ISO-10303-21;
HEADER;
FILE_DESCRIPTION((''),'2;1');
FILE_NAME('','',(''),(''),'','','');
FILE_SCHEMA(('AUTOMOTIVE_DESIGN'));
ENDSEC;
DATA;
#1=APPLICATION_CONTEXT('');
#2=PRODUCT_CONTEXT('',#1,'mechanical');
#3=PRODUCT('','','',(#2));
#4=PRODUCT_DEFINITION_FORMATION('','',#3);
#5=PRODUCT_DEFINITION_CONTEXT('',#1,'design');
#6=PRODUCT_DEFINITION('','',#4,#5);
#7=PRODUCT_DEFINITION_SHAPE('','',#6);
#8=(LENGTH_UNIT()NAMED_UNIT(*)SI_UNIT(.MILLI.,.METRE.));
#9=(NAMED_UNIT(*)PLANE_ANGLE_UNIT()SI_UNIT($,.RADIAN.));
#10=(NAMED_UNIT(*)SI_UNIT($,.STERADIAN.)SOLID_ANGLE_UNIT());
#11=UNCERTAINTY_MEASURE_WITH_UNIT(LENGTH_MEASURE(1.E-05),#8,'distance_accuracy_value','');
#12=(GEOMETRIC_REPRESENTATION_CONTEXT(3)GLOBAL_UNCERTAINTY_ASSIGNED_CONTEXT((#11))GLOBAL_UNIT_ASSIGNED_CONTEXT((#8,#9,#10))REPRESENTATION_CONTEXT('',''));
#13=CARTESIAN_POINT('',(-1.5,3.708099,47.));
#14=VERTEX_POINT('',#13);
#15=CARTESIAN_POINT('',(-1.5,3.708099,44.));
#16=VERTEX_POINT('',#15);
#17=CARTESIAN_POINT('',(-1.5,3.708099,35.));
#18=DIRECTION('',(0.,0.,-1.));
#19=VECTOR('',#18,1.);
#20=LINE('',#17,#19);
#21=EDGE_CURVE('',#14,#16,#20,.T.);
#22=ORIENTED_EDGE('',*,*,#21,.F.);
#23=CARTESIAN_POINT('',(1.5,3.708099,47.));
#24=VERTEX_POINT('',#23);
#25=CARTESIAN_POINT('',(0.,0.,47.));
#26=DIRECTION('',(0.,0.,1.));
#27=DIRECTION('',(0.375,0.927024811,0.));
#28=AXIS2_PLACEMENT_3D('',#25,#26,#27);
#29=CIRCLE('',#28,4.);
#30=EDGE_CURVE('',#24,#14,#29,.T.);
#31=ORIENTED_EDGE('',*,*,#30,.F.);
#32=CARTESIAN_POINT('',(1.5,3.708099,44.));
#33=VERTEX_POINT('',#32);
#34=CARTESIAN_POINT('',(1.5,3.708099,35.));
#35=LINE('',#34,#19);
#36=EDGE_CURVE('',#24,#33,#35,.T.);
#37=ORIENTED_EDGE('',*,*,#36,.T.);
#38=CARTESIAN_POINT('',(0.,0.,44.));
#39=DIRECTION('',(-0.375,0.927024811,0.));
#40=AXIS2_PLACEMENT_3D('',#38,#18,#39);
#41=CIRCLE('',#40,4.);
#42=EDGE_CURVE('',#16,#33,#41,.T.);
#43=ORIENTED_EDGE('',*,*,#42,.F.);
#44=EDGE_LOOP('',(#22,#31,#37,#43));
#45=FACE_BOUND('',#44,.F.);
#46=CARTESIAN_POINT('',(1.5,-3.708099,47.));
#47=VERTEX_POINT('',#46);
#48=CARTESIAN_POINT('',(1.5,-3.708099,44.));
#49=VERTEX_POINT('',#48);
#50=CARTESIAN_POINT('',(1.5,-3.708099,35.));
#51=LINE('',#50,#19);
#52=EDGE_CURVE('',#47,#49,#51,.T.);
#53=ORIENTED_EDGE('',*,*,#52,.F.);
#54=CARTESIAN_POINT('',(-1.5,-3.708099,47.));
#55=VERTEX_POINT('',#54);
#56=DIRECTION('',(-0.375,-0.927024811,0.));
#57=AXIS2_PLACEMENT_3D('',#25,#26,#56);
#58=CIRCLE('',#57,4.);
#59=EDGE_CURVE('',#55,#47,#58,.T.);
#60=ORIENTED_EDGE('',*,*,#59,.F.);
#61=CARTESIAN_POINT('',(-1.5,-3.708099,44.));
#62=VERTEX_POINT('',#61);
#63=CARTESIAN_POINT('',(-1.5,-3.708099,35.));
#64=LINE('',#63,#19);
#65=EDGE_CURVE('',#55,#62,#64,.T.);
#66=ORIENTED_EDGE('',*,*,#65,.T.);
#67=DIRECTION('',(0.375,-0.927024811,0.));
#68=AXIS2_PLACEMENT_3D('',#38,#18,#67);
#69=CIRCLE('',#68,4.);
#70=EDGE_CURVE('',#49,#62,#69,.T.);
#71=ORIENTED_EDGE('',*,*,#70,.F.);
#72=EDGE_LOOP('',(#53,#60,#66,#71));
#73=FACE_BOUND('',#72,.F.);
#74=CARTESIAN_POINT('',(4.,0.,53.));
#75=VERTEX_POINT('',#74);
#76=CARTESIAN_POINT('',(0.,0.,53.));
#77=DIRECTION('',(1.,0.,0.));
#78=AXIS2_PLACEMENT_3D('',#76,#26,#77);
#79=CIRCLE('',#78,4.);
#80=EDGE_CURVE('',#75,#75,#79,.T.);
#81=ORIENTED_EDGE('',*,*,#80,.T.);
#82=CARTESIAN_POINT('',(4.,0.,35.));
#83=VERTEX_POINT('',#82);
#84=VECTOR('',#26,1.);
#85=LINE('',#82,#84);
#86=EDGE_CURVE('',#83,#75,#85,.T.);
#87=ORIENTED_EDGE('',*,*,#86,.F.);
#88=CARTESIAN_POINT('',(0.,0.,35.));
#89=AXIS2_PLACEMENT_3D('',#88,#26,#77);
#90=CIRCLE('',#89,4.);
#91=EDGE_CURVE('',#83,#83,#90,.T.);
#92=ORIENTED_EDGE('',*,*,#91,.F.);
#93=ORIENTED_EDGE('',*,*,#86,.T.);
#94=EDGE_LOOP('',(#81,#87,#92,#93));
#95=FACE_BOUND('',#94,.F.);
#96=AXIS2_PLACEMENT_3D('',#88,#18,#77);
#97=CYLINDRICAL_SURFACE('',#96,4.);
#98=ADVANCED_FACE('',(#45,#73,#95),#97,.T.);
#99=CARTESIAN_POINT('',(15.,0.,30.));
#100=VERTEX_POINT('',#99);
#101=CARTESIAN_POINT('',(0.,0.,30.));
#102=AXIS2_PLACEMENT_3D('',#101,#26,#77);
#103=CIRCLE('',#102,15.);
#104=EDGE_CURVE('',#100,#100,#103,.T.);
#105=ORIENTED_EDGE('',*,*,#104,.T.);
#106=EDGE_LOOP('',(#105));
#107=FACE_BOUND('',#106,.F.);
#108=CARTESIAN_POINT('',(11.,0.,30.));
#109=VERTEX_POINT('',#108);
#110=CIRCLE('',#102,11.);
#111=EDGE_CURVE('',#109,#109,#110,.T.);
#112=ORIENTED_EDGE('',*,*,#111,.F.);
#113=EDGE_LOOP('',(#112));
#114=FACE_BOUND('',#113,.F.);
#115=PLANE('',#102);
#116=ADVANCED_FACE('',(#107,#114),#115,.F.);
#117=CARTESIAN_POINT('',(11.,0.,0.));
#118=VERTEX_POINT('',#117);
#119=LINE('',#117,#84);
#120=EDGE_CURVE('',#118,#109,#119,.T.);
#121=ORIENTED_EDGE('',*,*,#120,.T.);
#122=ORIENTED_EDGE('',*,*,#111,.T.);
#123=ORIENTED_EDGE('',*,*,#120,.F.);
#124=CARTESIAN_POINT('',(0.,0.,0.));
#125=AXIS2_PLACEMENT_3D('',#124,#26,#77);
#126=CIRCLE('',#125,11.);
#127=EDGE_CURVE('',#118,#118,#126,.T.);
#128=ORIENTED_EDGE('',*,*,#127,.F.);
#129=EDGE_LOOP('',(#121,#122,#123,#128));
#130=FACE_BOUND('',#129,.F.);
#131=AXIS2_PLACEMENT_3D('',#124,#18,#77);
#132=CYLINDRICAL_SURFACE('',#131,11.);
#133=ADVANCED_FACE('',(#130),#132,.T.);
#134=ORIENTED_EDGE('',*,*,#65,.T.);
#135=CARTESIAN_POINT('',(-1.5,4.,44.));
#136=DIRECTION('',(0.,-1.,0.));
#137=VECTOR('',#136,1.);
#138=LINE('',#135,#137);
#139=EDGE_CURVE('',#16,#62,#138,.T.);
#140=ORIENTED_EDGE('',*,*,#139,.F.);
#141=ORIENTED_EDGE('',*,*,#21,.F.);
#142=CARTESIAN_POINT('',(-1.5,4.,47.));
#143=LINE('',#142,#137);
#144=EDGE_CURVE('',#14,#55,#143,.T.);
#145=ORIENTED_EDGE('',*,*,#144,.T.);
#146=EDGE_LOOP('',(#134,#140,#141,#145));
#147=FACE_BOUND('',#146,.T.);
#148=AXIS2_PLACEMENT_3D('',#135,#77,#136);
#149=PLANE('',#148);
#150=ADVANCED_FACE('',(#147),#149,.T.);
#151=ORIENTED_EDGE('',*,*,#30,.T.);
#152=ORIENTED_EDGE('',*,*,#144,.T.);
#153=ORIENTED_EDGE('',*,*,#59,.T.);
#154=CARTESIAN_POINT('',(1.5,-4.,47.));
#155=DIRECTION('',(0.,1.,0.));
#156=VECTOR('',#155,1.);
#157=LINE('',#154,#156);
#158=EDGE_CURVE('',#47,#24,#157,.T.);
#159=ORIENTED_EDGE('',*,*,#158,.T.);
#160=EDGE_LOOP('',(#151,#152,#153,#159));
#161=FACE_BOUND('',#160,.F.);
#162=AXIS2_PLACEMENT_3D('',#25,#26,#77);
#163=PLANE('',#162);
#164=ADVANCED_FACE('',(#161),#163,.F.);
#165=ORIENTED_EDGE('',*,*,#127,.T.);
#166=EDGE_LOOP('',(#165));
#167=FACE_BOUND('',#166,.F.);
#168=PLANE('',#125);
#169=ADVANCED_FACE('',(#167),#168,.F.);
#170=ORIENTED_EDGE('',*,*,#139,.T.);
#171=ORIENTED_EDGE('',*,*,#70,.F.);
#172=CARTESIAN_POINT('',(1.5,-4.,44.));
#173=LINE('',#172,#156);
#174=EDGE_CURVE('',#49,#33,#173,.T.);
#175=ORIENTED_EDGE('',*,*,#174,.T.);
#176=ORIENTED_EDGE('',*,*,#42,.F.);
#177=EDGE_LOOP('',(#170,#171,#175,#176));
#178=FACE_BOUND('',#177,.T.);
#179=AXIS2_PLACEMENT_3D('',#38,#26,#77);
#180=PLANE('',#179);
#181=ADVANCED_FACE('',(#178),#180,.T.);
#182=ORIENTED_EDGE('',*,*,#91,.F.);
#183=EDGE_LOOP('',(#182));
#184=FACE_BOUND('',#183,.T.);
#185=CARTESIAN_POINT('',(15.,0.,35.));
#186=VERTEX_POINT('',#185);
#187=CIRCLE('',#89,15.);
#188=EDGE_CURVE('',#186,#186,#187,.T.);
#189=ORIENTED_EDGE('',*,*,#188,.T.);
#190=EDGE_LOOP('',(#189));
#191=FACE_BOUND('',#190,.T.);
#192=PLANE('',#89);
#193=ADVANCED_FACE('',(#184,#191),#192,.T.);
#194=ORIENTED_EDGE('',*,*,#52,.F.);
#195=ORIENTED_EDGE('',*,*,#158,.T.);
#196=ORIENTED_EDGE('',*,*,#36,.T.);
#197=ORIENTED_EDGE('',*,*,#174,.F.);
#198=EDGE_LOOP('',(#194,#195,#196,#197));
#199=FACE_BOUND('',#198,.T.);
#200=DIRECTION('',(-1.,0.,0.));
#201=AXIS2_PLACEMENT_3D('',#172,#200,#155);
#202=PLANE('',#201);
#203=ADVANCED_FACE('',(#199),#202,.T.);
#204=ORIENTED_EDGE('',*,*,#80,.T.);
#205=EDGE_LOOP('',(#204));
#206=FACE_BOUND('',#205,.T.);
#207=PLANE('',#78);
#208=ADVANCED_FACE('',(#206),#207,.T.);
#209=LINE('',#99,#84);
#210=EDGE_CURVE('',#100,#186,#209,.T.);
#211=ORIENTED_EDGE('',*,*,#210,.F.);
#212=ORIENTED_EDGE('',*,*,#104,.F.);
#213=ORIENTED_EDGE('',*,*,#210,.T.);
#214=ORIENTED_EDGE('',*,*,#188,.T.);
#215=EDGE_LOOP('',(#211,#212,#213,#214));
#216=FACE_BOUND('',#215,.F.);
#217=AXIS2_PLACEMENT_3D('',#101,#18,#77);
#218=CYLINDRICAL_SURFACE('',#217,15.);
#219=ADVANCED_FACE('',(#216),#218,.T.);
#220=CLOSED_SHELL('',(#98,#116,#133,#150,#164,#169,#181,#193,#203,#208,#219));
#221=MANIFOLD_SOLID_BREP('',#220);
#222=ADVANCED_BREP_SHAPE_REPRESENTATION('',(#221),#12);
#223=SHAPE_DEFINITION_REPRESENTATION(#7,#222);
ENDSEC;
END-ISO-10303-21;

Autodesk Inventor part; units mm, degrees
ref_plane "YZ Plane" through (0, 0, 0) normal (1, 0, 0) x (0, 1, 0)
ref_plane "XZ Plane" through (0, 0, 0) normal (0, 1, 0) x (-1, 0, 0)
ref_plane "XY Plane" through (0, 0, 0) normal (0, 0, 1) x (1, 0, 0)
sketch "Sketch1" plane through (0, 0, 0) normal (0, 0, 1) x (1, 0, 0)
  circle A0 centre (0, 0) radius 11
  dimension "d0" = 22
extrude "Extrusion1" add sketch "Sketch1" along normal blind 30
sketch "Sketch2" plane through (0, 0, 30) normal (0, 0, 1) x (1, 0, 0)
  circle A0 centre (0, 0) radius 11 projected
  circle A1 centre (0, 0) radius 15
  dimension "d3" = 30
extrude "Extrusion2" add sketch "Sketch2" along normal blind 5 contours A0 | A1
sketch "Sketch6" plane through (0, 0, 35) normal (0, 0, 1) x (1, 0, 0)
  circle A0 centre (0, 0) radius 4
  dimension "d20" = 8
extrude "Extrusion6" add sketch "Sketch6" along normal blind 18
ref_plane "Work Plane1" through (0, 0, 44) normal (0, 0, 1) x (1, 0, 0)
sketch "Sketch7" plane through (0, 0, 44) normal (0, 0, 1) x (1, 0, 0)
  line L0 (1.5, 4) -> (-1.5, 4)
  line L1 (-1.5, 4) -> (-1.5, -4)
  line L2 (-1.5, -4) -> (1.5, -4)
  line L3 (1.5, -4) -> (1.5, 4)
  line L4 (1.5, 4) -> (-1.5, -4) construction
  line L5 (-1.5, 4) -> (1.5, -4) construction
  point P0 (0, 0)
  dimension "d16" = 3
  dimension "d17" = 8
extrude "Extrusion7" cut sketch "Sketch7" along normal blind 3
properties part number "ClickHolder"
